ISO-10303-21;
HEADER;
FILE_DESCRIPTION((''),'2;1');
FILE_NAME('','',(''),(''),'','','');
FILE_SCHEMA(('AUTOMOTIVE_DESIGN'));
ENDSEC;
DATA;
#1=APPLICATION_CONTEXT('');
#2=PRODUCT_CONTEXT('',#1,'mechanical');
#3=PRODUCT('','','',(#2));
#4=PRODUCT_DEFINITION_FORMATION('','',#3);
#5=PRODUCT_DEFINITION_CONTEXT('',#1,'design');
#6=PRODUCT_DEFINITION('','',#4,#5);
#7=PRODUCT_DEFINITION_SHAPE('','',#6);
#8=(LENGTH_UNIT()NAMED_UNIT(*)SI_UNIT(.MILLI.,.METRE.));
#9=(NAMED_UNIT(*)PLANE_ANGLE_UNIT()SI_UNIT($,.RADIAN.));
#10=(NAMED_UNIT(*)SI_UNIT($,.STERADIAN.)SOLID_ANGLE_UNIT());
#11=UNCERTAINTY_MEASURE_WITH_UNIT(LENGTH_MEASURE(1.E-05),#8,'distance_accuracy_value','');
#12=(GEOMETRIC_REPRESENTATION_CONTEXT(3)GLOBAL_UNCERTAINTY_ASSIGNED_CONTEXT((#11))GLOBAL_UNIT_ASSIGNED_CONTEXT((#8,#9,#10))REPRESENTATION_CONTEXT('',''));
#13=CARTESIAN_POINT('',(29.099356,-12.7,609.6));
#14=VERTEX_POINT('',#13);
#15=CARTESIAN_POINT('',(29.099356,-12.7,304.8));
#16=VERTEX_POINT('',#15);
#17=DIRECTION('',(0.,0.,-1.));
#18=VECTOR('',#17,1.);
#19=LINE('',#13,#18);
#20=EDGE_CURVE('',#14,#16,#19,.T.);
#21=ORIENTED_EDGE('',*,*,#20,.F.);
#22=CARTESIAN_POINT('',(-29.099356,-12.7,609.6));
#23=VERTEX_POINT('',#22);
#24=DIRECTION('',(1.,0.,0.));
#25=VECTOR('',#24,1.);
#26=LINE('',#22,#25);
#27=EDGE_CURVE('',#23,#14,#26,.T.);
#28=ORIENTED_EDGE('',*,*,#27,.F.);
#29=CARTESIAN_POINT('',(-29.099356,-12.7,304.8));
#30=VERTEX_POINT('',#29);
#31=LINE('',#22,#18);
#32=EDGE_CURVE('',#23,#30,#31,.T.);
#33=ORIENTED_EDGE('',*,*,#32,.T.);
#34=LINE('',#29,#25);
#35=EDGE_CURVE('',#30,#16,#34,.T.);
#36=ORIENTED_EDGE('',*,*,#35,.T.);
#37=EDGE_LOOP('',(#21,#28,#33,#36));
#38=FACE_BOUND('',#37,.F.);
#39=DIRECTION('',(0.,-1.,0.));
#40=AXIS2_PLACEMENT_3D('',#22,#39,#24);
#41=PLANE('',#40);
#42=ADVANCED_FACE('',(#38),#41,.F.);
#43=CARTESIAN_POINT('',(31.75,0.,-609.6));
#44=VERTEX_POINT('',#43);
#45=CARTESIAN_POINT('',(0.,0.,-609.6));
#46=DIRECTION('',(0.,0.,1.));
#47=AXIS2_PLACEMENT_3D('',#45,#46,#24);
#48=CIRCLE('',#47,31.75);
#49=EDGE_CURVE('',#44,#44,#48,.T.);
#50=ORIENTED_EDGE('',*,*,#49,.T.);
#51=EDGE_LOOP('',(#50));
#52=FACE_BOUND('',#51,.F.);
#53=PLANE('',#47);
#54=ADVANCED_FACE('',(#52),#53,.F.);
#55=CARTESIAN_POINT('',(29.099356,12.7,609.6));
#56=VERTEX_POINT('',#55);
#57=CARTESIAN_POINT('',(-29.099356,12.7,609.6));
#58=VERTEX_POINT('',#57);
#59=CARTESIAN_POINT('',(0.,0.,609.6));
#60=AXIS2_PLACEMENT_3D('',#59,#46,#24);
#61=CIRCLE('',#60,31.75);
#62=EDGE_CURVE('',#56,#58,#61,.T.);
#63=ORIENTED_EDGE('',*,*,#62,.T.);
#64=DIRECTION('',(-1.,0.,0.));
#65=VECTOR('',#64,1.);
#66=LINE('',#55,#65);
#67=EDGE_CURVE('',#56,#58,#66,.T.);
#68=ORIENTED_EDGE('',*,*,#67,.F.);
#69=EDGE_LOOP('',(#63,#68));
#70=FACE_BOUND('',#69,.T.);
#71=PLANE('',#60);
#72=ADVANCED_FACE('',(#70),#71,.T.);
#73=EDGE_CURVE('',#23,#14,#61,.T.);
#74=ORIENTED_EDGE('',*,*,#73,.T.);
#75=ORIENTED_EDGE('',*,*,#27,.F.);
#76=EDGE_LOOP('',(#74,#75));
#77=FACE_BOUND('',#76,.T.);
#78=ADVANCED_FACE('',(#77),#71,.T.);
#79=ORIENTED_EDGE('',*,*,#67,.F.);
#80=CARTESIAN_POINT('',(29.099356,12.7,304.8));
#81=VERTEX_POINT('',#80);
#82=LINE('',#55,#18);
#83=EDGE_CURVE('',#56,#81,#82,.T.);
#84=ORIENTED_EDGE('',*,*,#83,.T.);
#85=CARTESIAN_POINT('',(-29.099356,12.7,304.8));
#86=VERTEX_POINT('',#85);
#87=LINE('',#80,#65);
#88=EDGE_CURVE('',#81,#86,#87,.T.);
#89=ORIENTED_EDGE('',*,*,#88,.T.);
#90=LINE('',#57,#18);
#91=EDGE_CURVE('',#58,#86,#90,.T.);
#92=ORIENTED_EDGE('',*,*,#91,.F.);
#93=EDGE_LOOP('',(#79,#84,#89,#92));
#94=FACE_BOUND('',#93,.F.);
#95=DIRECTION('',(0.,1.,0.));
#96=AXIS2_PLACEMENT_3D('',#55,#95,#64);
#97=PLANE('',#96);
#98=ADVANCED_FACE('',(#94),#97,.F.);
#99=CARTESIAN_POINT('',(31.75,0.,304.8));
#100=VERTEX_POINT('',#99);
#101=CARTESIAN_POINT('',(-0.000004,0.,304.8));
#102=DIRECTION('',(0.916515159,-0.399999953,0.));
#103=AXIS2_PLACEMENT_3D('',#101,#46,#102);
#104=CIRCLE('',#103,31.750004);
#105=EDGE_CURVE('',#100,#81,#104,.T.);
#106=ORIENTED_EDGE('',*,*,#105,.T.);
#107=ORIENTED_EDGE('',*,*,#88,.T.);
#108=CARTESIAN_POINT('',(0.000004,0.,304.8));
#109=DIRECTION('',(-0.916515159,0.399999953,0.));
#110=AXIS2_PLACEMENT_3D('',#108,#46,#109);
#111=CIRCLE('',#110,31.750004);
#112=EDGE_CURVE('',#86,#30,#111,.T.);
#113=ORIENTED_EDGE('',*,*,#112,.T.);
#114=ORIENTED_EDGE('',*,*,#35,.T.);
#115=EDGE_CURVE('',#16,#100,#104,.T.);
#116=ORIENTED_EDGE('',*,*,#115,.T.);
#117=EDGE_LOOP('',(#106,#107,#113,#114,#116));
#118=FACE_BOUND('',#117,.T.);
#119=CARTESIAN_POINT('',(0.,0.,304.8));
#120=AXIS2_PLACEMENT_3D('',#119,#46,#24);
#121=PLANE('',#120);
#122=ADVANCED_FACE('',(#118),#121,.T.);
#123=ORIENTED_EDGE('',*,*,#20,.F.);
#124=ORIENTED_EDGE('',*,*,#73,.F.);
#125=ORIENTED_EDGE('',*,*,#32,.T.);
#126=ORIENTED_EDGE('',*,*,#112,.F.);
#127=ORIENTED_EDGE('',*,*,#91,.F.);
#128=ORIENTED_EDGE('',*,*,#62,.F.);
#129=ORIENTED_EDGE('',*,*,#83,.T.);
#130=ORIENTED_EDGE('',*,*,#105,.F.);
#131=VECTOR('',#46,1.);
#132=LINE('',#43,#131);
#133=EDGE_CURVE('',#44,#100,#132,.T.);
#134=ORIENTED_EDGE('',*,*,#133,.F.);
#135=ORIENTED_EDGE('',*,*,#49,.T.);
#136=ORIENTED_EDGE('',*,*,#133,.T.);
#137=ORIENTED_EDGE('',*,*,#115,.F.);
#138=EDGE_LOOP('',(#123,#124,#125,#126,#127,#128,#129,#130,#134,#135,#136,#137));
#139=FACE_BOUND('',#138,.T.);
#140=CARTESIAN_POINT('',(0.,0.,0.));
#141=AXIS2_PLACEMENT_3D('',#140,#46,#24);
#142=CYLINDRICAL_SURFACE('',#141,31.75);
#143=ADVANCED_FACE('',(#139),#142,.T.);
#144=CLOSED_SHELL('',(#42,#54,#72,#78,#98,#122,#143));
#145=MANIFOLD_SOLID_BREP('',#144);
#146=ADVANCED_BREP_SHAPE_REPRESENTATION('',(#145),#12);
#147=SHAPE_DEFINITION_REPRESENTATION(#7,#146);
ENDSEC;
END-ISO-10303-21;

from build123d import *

# Parameters (mm, degrees)
F0_R     = 31.75
F1_DEPTH = 609.6
F3_DEPTH = 304.8


with BuildPart() as f1:
    # F0 (on Top) → F1 (new body, symmetric)
    with BuildSketch(Plane.XY):
        Circle(F0_R)
    extrude(amount=F1_DEPTH, both=True)

    # F2 (on face) → F3 (cut)
    with BuildSketch(Plane.XY.offset(609.6)):
        with BuildLine():
            Line((29.099356, 12.7), (-29.099356, 12.7))
            ThreePointArc((-29.099356, 12.7), (-31.75, 0), (-29.099356, -12.7))
            Line((-29.099356, -12.7), (29.099356, -12.7))
            ThreePointArc((29.099356, -12.7), (31.75, 0), (29.099356, 12.7))
        make_face()
    extrude(amount=-F3_DEPTH, mode=Mode.SUBTRACT)


solid = f1.part
